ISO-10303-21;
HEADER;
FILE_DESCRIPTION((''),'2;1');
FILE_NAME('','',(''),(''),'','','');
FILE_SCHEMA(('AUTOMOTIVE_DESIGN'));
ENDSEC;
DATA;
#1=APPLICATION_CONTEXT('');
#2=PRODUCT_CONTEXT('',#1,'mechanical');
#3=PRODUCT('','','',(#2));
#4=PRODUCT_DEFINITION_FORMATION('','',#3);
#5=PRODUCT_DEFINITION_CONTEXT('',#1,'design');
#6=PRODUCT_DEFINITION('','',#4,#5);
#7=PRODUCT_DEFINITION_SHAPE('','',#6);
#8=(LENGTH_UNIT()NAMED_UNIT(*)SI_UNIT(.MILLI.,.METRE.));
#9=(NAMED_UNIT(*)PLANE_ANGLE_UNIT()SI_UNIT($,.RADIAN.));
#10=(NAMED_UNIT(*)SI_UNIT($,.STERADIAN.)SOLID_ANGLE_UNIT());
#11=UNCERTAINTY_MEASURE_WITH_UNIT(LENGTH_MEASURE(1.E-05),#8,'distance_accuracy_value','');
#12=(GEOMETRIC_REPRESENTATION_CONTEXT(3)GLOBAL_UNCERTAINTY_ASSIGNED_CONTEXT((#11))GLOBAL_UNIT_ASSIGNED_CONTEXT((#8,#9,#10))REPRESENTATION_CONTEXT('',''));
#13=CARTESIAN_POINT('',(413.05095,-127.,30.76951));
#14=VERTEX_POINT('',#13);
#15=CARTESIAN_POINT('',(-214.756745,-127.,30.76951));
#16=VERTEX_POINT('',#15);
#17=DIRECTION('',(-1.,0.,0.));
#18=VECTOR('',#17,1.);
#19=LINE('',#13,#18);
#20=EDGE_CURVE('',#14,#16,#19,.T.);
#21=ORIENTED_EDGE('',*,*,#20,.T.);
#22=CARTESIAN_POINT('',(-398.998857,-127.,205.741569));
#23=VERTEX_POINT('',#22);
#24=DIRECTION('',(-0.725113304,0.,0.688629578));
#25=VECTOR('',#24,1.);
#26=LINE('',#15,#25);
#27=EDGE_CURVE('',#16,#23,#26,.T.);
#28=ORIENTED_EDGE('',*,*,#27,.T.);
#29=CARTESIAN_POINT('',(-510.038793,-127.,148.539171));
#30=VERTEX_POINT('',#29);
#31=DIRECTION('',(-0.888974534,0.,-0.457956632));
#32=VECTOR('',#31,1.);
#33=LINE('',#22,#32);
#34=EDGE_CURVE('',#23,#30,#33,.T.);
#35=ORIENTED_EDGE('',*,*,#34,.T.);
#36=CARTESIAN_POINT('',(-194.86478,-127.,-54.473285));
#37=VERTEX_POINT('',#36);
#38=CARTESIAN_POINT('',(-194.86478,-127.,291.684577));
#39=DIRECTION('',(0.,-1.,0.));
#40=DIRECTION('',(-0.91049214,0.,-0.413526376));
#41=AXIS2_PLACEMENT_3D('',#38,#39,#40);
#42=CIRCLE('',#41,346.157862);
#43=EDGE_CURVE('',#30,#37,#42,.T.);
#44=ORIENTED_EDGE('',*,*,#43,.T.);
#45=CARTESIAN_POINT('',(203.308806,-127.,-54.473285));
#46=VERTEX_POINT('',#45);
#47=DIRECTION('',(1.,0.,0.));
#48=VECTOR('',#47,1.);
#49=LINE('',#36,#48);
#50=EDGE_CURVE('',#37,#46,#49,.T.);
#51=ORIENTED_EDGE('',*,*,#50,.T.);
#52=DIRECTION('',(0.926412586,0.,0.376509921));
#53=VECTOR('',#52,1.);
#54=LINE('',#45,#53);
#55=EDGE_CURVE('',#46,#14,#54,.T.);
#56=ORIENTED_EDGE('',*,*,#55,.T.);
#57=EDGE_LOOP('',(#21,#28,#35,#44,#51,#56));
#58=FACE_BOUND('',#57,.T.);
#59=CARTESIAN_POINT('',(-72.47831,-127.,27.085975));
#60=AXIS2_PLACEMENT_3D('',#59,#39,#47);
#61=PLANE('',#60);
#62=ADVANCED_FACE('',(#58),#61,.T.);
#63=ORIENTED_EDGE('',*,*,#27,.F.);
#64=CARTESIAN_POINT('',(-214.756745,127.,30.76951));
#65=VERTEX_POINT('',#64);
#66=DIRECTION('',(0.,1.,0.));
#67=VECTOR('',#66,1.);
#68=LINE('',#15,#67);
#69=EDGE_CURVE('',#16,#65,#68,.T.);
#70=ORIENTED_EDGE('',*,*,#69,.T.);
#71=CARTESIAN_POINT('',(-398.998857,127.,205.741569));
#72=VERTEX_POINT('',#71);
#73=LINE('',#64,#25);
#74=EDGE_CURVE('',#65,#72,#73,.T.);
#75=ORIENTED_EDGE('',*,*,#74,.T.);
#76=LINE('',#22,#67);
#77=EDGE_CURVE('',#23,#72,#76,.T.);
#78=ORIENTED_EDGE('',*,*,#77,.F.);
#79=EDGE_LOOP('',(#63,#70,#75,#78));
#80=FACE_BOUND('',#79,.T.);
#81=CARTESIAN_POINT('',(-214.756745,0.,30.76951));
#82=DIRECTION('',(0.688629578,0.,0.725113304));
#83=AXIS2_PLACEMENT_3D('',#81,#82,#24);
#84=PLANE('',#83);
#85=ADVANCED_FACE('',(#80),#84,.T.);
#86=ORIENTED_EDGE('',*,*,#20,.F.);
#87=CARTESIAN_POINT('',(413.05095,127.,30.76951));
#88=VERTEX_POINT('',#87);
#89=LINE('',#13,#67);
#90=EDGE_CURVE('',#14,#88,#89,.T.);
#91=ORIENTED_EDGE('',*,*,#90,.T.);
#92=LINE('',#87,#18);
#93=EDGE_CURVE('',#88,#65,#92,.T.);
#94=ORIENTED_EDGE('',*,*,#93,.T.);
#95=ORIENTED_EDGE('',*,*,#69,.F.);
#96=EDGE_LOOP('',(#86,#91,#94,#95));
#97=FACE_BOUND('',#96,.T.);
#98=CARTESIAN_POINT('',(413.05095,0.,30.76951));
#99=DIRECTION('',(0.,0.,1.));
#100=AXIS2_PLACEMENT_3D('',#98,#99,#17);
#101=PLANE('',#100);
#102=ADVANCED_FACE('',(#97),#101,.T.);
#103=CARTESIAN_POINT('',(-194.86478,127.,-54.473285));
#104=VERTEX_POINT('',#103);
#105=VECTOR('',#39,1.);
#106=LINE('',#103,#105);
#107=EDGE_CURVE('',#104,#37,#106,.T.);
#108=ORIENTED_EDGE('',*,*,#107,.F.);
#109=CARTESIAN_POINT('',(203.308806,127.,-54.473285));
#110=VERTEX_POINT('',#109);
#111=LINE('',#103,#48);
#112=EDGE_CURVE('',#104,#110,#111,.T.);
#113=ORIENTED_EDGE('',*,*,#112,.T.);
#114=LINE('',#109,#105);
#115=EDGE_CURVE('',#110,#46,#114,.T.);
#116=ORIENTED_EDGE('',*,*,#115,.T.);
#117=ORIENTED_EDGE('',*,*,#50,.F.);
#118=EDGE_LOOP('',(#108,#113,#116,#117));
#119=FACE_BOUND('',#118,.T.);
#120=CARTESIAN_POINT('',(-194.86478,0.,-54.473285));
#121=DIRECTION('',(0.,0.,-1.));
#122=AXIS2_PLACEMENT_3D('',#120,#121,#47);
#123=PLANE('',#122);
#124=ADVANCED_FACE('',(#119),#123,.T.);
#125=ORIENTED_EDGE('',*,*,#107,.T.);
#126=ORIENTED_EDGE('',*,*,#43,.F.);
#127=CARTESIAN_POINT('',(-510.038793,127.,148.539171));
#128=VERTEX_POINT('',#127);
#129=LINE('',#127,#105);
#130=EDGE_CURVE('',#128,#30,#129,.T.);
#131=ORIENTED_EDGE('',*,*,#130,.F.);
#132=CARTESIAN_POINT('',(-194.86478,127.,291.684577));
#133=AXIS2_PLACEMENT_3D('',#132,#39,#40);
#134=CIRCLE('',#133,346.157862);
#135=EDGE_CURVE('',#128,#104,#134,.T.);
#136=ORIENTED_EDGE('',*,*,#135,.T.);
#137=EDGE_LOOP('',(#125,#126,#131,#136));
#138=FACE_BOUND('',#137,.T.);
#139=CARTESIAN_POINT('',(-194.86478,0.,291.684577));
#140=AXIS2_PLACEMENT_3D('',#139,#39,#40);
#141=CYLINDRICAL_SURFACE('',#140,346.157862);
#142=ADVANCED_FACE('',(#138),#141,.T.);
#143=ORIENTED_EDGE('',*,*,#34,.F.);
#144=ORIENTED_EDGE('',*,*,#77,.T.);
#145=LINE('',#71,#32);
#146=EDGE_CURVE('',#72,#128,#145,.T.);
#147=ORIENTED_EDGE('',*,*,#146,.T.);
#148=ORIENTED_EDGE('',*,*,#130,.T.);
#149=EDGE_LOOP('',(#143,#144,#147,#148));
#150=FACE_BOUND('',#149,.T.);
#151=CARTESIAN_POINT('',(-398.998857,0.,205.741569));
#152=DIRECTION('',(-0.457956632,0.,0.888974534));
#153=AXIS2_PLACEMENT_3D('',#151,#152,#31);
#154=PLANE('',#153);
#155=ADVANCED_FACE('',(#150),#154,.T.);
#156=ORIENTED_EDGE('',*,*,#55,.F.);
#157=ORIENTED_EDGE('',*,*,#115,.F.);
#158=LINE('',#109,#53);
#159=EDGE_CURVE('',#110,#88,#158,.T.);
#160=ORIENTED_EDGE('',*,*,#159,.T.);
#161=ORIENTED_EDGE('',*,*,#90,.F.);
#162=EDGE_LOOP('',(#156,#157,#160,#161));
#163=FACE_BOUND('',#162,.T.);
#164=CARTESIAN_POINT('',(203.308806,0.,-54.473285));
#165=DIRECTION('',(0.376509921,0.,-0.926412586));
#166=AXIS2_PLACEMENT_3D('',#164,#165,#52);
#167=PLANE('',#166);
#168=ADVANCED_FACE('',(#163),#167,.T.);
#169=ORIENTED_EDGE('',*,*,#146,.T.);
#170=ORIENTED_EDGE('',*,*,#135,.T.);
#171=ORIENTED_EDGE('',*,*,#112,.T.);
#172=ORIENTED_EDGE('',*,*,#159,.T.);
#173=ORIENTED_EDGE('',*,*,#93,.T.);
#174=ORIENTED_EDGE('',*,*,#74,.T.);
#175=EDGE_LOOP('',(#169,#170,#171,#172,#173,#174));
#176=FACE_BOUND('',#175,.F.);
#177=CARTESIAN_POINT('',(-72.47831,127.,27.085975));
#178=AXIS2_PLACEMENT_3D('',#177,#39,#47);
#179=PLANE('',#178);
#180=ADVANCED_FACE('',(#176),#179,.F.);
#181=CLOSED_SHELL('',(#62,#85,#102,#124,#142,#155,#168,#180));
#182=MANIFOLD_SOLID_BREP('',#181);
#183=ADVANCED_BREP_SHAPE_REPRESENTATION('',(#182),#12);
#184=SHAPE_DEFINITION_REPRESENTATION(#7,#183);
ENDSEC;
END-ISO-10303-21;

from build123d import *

# Parameters (mm, degrees)
F1_DEPTH = 127


with BuildPart() as f1:
    # F0 (on Front) → F1 (new body, symmetric)
    with BuildSketch(Plane.XZ):
        with BuildLine():
            Line((-398.998857, 205.741569), (-510.038793, 148.539171))
            ThreePointArc((-510.038793, 148.539171), (-382.313917, 0.672401), (-194.86478, -54.473285))
            Line((-194.86478, -54.473285), (203.308806, -54.473285))
            Line((203.308806, -54.473285), (413.05095, 30.76951))
            Line((413.05095, 30.76951), (-214.756745, 30.76951))
            Line((-214.756745, 30.76951), (-398.998857, 205.741569))
        make_face()
    extrude(amount=F1_DEPTH, both=True)


solid = f1.part
